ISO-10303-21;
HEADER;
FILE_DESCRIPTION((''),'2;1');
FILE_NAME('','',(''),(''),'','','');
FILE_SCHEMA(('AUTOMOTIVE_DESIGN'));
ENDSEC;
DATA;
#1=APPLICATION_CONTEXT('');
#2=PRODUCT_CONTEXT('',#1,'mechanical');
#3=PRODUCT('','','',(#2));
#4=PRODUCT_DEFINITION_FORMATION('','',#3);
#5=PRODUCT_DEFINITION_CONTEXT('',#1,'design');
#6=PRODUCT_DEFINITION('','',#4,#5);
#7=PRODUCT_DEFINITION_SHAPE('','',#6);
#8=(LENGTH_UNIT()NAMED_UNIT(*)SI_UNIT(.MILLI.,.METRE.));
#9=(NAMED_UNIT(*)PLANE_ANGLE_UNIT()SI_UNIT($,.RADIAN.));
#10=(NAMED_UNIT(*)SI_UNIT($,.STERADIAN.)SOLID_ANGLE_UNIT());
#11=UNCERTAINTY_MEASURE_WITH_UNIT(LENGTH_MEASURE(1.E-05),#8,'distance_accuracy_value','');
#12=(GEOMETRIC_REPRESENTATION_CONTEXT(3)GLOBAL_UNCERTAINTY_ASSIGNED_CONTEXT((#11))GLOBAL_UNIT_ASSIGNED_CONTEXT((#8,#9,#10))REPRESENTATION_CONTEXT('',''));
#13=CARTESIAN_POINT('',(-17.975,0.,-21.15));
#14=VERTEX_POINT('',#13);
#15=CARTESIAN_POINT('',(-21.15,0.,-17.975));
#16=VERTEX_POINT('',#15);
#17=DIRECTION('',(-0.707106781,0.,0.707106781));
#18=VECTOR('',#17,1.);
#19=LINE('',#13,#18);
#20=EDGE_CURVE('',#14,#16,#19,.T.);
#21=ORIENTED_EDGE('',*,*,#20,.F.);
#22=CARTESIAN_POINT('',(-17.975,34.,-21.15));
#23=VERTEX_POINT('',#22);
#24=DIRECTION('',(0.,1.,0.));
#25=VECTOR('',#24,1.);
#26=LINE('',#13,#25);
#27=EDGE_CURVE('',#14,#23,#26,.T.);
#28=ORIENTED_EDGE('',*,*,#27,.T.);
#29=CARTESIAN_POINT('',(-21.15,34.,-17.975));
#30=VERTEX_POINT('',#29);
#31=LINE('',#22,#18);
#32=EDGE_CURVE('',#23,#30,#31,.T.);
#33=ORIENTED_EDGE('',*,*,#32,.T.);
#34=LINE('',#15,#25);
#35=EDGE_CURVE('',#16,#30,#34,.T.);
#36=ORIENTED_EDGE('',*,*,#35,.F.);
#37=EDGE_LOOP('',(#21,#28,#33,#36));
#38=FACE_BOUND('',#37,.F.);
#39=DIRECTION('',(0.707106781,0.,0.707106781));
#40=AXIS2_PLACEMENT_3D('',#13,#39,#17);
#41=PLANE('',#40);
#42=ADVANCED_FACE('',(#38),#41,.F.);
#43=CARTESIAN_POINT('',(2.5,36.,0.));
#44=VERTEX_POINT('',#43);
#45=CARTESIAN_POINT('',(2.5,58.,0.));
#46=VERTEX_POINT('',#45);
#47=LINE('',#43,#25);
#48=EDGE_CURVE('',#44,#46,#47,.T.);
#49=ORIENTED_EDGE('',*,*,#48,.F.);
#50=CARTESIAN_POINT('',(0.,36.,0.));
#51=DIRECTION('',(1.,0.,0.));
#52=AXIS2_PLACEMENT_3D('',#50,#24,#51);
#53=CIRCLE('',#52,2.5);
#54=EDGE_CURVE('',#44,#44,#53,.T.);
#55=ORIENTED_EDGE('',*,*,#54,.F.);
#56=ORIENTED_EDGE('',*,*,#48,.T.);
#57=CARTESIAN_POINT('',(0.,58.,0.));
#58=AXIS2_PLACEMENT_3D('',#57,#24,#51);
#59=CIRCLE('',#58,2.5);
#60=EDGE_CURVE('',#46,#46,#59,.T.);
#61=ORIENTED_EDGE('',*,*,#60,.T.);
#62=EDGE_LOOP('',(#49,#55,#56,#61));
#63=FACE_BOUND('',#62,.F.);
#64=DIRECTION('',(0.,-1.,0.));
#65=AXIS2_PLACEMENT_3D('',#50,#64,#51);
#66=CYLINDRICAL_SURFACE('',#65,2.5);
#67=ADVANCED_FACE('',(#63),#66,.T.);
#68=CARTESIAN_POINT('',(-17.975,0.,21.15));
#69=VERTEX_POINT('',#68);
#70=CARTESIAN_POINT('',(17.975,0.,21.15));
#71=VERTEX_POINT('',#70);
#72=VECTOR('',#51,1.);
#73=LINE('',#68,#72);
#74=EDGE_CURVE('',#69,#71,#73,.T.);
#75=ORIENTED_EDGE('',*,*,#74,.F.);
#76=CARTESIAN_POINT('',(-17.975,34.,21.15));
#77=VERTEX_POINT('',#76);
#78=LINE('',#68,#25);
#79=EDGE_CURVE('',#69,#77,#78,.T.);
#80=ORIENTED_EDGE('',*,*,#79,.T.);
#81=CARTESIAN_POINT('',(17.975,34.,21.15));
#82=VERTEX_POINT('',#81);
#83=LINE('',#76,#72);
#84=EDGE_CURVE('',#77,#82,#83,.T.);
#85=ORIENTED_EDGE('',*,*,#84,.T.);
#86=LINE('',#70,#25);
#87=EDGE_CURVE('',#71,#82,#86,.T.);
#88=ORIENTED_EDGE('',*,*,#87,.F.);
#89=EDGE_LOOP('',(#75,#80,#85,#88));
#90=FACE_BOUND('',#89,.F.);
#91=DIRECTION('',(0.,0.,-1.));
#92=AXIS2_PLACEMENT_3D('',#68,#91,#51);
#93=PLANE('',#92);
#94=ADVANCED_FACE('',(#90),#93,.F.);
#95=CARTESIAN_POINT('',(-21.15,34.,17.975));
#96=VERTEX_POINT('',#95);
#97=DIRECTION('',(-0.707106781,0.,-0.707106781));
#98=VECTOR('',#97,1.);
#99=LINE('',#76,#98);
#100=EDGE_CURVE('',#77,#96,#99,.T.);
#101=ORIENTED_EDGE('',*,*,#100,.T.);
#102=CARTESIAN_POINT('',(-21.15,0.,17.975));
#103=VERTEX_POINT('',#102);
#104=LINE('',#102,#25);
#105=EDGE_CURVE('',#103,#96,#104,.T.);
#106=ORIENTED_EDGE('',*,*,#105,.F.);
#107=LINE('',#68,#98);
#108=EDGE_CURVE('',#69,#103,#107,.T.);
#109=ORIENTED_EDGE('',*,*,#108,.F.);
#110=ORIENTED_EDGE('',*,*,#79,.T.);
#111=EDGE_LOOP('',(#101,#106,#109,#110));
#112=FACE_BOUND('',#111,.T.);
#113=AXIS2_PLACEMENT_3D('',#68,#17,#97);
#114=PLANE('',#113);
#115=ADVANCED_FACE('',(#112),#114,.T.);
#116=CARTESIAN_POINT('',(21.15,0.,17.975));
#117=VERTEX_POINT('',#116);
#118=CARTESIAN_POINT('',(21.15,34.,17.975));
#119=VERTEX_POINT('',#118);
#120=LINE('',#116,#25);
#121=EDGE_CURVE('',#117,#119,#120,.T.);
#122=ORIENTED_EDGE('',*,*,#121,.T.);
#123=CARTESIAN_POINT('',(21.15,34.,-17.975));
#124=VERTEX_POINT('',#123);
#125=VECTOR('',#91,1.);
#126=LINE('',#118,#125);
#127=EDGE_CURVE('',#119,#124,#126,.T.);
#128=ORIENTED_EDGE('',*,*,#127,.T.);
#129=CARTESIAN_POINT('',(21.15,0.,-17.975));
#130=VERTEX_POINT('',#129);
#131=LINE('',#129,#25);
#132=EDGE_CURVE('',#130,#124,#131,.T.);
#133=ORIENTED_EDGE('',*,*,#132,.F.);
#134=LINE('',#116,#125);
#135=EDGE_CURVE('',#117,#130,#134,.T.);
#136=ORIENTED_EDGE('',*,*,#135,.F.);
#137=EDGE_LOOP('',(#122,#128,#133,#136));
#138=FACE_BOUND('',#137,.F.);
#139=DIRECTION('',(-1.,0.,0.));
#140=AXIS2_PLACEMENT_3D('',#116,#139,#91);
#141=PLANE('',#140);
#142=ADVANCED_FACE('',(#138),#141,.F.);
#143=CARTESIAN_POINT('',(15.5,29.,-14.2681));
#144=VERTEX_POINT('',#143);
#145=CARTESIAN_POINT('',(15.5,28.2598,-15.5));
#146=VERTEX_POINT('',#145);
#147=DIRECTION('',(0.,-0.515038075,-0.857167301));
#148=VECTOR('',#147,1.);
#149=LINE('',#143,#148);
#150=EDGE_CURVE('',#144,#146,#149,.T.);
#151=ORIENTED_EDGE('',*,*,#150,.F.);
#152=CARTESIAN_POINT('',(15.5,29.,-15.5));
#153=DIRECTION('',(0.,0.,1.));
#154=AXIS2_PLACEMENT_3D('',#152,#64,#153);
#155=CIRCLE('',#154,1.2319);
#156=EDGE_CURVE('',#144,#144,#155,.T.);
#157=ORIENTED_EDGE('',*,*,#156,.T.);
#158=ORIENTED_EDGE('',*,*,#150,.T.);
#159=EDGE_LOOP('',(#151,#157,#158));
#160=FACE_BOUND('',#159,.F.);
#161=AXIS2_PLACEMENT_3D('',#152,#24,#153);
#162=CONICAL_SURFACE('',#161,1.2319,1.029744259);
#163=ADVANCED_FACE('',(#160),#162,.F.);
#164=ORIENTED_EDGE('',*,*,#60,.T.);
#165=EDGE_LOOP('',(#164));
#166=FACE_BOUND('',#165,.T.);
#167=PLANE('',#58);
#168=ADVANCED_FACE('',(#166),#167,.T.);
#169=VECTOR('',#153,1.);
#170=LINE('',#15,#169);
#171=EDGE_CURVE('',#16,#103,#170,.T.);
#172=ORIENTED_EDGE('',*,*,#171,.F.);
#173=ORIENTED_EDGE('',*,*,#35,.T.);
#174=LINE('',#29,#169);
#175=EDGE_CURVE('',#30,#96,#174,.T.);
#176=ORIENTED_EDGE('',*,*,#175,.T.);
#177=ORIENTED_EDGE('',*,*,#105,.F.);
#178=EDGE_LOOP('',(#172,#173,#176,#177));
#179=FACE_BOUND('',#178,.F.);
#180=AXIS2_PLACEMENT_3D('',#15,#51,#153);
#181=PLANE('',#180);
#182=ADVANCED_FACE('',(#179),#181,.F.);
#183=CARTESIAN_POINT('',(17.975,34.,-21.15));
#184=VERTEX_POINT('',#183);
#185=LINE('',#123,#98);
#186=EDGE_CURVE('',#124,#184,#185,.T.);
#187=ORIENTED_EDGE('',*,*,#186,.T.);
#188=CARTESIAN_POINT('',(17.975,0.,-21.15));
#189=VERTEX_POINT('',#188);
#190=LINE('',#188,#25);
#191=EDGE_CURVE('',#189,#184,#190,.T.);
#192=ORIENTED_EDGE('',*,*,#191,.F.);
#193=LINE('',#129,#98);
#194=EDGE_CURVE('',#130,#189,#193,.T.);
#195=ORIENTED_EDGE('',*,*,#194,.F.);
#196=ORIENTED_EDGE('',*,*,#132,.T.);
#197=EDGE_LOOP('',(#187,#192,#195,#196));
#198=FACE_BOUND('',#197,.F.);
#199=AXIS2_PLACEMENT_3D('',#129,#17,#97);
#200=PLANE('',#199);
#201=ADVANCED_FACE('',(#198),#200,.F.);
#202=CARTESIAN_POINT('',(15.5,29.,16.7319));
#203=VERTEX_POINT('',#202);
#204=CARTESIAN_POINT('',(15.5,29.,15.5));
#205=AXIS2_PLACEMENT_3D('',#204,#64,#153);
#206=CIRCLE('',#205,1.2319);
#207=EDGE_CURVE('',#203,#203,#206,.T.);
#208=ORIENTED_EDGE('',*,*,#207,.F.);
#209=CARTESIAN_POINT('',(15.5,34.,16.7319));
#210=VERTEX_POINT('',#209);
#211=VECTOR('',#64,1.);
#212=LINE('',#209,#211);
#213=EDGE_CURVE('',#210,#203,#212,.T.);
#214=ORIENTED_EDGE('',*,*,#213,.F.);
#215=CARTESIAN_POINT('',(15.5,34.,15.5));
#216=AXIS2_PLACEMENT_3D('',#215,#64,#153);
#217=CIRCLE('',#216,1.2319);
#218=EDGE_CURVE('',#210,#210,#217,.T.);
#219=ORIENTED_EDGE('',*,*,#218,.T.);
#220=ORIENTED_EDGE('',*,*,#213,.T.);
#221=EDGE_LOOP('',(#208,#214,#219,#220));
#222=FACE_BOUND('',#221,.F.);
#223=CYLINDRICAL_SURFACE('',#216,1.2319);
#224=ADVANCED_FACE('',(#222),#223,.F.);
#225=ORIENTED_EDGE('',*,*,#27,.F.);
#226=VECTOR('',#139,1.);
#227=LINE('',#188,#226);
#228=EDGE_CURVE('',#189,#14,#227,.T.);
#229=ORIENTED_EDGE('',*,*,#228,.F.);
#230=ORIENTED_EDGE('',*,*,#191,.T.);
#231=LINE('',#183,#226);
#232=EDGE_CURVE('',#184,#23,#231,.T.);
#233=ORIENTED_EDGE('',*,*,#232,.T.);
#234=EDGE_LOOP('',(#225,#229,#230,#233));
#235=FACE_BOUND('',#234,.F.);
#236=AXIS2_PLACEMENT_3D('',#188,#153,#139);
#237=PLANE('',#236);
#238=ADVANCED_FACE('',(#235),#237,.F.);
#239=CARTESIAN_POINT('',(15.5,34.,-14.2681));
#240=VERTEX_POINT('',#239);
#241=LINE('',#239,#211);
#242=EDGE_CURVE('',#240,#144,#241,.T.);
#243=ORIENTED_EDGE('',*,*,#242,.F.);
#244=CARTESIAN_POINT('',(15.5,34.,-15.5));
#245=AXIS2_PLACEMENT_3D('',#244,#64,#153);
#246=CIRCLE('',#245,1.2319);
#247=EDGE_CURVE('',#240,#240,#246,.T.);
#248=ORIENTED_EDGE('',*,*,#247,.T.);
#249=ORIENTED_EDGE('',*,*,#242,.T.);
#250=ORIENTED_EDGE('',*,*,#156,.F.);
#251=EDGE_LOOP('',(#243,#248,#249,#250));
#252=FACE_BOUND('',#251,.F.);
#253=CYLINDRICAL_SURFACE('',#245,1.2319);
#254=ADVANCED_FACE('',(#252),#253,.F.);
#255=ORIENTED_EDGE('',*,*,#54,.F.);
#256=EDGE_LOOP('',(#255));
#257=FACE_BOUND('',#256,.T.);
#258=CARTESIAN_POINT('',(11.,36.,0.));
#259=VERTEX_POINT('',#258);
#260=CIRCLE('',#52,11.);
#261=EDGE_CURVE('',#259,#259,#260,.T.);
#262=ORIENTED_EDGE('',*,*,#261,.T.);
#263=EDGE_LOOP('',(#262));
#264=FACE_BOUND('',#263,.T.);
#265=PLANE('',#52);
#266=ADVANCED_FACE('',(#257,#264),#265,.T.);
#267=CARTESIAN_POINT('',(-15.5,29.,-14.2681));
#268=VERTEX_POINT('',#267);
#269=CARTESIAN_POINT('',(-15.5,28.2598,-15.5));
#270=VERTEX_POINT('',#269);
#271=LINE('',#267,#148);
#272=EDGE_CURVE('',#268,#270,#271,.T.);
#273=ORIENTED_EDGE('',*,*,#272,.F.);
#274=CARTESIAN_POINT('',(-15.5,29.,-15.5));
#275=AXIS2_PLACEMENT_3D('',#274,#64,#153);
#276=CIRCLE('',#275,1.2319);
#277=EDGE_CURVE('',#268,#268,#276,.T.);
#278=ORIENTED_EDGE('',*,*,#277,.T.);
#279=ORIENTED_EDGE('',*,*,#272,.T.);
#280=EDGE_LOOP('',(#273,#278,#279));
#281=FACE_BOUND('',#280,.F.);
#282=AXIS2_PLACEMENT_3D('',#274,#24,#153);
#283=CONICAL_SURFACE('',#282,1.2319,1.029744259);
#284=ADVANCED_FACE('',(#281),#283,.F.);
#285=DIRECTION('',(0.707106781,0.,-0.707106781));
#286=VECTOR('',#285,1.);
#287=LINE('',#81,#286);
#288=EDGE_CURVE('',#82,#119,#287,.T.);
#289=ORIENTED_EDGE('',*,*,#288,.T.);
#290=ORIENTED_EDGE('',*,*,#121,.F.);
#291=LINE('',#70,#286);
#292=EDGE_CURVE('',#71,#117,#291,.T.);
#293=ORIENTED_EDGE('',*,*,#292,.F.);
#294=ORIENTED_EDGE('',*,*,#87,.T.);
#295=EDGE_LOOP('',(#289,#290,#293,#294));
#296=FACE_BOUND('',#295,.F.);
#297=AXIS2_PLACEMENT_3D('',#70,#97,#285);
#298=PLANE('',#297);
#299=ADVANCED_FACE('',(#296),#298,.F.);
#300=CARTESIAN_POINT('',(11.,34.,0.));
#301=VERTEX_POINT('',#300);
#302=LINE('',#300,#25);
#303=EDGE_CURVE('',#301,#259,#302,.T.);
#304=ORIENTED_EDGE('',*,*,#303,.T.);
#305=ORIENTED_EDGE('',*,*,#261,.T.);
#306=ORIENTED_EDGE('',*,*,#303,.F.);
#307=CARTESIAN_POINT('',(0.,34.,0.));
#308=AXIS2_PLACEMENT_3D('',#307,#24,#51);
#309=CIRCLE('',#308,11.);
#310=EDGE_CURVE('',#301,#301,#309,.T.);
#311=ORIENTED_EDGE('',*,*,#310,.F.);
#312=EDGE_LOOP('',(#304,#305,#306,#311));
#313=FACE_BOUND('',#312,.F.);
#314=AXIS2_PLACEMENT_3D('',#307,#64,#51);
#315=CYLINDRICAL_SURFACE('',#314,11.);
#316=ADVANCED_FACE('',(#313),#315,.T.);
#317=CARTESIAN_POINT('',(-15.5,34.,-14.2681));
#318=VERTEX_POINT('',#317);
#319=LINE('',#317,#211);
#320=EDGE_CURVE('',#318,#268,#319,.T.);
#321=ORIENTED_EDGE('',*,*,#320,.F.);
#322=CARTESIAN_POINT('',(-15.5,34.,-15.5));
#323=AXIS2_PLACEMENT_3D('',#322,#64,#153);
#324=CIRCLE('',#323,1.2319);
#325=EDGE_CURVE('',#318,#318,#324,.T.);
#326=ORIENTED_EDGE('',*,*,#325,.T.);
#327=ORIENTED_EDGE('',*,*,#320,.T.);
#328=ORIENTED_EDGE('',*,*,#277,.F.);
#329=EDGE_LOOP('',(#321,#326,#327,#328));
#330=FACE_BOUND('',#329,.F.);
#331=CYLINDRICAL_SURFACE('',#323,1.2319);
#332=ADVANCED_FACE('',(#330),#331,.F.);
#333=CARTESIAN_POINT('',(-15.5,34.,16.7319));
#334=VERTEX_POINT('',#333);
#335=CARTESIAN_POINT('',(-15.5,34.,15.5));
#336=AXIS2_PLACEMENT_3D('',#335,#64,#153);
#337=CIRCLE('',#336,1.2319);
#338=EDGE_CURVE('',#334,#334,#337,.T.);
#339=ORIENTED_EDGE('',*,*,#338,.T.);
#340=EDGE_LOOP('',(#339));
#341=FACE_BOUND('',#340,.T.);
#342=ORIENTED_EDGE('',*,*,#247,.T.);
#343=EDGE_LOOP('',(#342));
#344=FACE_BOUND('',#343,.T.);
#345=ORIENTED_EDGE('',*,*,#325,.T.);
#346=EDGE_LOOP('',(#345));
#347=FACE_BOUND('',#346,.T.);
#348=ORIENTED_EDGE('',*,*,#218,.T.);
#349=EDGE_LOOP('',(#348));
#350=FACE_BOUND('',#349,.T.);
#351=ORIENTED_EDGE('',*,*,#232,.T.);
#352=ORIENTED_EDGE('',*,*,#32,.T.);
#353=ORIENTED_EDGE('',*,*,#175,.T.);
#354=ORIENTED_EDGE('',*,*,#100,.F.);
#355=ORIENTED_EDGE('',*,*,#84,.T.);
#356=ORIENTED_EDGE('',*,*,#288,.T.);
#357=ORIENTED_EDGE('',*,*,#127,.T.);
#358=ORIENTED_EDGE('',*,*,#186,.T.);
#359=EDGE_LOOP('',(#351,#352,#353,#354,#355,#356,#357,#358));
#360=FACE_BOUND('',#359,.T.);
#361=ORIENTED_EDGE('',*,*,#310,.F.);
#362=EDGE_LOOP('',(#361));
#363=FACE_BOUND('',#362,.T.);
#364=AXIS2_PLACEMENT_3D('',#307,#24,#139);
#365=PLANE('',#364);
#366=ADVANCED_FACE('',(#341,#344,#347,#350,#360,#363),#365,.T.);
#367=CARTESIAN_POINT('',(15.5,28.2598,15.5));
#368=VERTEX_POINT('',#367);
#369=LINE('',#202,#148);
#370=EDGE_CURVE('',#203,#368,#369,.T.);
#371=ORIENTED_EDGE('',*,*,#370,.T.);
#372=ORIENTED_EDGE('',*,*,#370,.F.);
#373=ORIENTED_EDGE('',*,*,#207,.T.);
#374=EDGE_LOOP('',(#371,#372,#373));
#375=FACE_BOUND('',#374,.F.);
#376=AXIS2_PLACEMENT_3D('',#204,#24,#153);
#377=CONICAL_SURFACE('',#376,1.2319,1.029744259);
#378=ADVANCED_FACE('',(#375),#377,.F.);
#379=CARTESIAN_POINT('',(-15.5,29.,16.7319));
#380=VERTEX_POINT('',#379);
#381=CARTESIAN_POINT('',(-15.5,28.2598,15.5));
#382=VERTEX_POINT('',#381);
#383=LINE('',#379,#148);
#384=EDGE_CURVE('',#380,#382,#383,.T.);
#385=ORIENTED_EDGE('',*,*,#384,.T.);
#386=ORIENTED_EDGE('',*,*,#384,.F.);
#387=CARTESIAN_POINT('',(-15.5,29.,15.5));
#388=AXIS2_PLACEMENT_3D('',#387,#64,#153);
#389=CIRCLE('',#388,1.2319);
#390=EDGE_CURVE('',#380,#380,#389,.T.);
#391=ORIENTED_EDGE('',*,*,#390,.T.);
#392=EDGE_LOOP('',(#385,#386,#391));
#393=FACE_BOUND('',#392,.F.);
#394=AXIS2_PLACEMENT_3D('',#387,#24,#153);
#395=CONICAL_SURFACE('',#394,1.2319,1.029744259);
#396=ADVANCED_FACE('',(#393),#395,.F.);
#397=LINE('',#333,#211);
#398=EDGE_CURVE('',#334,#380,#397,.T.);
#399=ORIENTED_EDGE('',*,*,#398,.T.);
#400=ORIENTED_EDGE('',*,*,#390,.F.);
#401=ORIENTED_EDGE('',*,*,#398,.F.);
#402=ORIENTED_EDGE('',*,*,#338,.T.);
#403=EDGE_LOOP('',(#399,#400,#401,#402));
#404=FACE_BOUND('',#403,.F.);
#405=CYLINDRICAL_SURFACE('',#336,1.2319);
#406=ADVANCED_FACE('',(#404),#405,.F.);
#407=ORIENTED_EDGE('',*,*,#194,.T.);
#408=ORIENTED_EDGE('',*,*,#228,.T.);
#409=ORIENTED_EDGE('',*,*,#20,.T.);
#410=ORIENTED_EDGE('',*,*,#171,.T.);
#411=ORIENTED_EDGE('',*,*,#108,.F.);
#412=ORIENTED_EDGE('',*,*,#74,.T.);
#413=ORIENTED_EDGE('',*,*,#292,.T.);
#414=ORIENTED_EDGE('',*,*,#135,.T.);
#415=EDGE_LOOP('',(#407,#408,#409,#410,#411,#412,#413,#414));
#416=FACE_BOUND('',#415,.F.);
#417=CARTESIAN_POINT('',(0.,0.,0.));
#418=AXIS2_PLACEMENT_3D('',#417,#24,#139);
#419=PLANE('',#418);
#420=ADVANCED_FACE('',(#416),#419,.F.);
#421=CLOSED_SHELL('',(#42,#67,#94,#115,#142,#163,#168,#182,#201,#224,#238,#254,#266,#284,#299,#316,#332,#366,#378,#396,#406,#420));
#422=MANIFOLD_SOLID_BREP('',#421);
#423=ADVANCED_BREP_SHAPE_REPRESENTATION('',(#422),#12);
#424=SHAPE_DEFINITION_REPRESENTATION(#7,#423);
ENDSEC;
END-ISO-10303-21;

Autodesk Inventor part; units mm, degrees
ref_plane "YZ Plane" through (0, 0, 0) normal (1, 0, 0) x (0, 1, 0)
ref_plane "XZ Plane" through (0, 0, 0) normal (0, 1, 0) x (-1, 0, 0)
ref_plane "XY Plane" through (0, 0, 0) normal (0, 0, 1) x (1, 0, 0)
sketch "Sketch1" plane through (0, 0, 0) normal (0, 1, 0) x (-1, 0, 0)
  line L0 (-17.975, -21.15) -> (17.975, -21.15)
  line L1 (21.15, -17.975) -> (21.15, 17.975)
  line L2 (17.975, 21.15) -> (-17.975, 21.15)
  line L3 (-21.15, 17.975) -> (-21.15, -17.975)
  line L4 (-21.15, -21.15) -> (21.15, 21.15) construction
  line L5 (21.15, -21.15) -> (-21.15, 21.15) construction
  line L6 (17.975, 21.15) -> (21.15, 17.975)
  line L7 (-17.975, 21.15) -> (-21.15, 17.975)
  line L8 (-21.15, -17.975) -> (-17.975, -21.15)
  line L9 (17.975, -21.15) -> (21.15, -17.975)
  point P0 (0, 0)
  dimension "d0" = 42.3
  dimension "d1" = 42.3
  dimension "d2" = 3.175
  dimension "d3" = 3.175
  dimension "d4" = 3.175
  dimension "d5" = 3.175
  dimension "d6" = 3.175
  dimension "d7" = 3.175
  dimension "d8" = 3.175
  dimension "d9" = 3.175
extrude "Extrusion1" add sketch "Sketch1" along normal blind 34
sketch "Sketch2" plane through (0, 34, 0) normal (0, 1, 0) x (1, 0, 0)
  circle A0 centre (0, 0) radius 11
  dimension "d12" = 22
extrude "Extrusion2" add sketch "Sketch2" along normal blind 2
sketch "Sketch3" plane through (0, 36, 0) normal (0, 1, 0) x (1, 0, 0)
  circle A0 centre (0, 0) radius 2.5
  dimension "d15" = 5
extrude "Extrusion3" add sketch "Sketch3" along normal blind 22
sketch "Sketch4" plane through (0, 34, 0) normal (0, 1, 0) x (1, 0, 0)
  line L0 (89.125, 0) -> (-55.025, 0)
  line L1 (0, 94.2917) -> (0, -108.2417)
  point P0 (0, 0)
  point P1 (15.5, 15.5)
  point P2 (15.5, -15.5)
  point P3 (-15.5, 15.5)
  point P4 (-15.5, -15.5)
  dimension "d18" = 31
  dimension "d19" = 31
hole "Hole1" at (15.5, 34, -15.5) at (15.5, 34, 15.5) at (-15.5, 34, -15.5) at (-15.5, 34, 15.5) direction (0, -1, 0) diameter 2.4638 depth 5 tip angle 118
equation "\"d1\" = d0"
equation "\"d3\" = d2"
equation "\"d4\" = d2"
equation "\"d5\" = d4"
equation "\"d6\" = d2"
equation "\"d7\" = d6"
equation "\"d8\" = d2"
equation "\"d9\" = d8"
properties part number "Stepper_Motor"
